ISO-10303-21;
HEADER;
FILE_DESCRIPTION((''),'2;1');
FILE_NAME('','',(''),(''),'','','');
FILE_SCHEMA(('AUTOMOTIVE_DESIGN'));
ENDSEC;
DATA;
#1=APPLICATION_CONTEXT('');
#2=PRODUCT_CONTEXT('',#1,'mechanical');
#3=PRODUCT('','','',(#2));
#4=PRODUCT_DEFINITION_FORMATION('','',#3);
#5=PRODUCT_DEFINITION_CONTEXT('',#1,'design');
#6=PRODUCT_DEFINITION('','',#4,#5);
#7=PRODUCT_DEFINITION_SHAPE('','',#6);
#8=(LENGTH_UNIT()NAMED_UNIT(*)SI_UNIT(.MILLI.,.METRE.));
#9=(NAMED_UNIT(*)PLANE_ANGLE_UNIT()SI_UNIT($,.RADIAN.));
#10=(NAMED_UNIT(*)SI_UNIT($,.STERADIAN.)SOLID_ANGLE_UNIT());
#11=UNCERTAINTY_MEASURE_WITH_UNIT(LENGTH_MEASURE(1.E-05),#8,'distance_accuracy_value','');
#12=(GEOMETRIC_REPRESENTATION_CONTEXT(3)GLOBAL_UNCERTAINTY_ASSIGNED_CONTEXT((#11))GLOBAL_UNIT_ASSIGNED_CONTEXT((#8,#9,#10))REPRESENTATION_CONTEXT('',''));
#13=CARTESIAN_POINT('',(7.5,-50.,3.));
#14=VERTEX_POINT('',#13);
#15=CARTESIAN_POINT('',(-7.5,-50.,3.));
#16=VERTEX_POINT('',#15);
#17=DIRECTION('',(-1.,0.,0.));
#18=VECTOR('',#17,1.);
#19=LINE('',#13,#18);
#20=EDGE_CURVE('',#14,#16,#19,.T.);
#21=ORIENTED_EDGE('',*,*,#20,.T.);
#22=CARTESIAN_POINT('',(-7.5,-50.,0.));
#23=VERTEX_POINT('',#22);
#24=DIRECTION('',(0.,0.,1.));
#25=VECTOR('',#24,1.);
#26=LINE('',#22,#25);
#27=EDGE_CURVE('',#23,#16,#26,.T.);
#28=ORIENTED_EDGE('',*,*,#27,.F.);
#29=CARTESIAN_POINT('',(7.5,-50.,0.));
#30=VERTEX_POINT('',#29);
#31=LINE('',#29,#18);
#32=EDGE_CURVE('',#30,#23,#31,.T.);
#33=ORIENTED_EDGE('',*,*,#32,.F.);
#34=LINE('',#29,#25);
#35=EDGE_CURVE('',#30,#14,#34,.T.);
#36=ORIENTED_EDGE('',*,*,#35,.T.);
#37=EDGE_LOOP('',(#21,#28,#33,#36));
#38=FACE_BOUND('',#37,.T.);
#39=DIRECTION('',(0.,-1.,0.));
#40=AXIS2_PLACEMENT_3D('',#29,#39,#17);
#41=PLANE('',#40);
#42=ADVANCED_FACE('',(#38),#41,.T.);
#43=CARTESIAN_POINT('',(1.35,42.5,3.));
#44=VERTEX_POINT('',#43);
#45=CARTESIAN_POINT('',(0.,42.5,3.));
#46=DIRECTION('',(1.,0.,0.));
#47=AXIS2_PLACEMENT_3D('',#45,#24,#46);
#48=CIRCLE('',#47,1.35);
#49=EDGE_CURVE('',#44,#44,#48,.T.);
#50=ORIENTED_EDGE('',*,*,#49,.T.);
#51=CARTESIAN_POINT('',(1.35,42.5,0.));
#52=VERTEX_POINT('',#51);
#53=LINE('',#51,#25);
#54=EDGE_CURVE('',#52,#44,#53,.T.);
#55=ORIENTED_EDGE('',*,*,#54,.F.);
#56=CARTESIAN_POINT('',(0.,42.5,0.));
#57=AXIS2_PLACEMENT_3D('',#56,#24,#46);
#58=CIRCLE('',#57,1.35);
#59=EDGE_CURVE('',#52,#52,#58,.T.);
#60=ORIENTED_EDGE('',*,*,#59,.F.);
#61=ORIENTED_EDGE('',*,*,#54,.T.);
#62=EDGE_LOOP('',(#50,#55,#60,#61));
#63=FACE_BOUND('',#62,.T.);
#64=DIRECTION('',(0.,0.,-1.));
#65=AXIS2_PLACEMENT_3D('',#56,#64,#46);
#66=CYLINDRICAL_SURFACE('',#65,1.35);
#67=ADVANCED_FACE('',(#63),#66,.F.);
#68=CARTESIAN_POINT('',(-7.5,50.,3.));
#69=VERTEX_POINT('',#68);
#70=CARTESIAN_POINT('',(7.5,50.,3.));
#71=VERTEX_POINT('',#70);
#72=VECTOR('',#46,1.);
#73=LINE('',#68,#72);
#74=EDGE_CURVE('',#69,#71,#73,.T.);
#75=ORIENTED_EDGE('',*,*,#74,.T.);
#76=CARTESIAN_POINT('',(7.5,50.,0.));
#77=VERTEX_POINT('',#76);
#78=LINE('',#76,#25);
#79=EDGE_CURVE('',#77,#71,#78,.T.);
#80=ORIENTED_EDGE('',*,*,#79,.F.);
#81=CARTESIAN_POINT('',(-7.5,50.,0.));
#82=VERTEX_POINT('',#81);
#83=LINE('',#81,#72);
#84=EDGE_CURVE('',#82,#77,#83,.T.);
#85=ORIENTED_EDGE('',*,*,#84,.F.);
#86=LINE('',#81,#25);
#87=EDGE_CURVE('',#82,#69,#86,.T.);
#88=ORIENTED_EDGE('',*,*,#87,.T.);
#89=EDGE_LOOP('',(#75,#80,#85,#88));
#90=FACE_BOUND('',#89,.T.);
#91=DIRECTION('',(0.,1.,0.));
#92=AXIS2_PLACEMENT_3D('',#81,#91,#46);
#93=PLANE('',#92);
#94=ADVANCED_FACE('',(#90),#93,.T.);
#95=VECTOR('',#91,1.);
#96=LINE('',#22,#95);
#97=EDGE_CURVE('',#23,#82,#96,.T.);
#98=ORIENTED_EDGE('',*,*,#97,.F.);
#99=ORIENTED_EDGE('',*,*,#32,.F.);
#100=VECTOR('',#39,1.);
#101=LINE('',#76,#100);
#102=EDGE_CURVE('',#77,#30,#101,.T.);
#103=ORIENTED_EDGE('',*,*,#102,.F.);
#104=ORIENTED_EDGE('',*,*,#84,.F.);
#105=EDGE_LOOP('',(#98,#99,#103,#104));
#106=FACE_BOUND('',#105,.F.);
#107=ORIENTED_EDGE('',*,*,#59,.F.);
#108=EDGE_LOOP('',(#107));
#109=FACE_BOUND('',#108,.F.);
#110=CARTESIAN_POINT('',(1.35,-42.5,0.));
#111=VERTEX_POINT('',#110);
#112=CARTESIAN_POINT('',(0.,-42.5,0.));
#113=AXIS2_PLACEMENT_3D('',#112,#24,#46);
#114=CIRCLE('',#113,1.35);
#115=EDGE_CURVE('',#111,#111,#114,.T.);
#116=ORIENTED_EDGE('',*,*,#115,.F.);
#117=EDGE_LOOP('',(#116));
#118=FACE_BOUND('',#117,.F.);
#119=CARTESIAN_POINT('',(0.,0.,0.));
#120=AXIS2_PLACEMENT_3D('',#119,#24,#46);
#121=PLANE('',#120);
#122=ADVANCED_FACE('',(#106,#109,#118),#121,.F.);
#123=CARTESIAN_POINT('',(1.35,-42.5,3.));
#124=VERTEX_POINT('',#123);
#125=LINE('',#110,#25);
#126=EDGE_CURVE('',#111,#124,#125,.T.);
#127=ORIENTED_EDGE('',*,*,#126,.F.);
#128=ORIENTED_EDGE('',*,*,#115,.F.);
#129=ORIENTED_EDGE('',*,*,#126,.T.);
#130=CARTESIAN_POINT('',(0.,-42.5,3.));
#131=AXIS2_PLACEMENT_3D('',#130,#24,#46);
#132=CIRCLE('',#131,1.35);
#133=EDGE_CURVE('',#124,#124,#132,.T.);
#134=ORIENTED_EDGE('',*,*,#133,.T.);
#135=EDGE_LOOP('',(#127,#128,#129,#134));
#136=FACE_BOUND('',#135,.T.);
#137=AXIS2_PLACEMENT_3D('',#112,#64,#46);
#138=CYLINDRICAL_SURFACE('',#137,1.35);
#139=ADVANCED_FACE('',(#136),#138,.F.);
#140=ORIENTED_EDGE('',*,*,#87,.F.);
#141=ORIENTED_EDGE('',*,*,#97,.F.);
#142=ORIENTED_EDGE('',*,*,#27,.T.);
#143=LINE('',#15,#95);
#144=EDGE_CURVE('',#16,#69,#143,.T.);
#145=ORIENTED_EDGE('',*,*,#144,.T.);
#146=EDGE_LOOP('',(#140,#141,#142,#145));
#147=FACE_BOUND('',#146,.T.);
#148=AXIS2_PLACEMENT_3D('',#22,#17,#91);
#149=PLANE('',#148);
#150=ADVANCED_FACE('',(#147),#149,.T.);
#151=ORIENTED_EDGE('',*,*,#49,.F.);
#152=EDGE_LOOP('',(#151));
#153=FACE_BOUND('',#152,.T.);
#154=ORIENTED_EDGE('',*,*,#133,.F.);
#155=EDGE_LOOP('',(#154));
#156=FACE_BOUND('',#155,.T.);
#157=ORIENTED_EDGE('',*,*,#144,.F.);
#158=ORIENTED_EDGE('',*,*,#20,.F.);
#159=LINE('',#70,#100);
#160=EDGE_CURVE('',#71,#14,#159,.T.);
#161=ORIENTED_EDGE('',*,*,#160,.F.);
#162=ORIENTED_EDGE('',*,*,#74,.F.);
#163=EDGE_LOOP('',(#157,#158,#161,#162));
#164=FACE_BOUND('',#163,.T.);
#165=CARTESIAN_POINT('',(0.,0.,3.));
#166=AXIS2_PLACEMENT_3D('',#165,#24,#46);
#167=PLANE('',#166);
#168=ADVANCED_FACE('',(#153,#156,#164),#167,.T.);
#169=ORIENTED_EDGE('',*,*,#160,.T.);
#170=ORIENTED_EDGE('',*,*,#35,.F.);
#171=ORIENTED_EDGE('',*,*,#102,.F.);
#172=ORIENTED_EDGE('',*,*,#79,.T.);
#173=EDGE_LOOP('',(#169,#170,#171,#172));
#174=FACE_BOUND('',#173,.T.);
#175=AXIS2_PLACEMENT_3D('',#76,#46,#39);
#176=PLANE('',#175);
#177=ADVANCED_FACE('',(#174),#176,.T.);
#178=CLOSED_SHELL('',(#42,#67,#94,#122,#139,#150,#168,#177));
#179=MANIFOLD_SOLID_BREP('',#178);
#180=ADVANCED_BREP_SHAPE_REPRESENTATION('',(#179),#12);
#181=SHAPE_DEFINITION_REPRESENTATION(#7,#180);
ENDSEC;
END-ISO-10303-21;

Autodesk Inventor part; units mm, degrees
ref_plane "YZ Plane" through (0, 0, 0) normal (1, 0, 0) x (0, 1, 0)
ref_plane "XZ Plane" through (0, 0, 0) normal (0, 1, 0) x (-1, 0, 0)
ref_plane "XY Plane" through (0, 0, 0) normal (0, 0, 1) x (1, 0, 0)
sketch "Sketch1" plane through (0, 0, 0) normal (0, 0, 1) x (1, 0, 0)
  line L0 (-7.5, 50) -> (7.5, 50)
  line L1 (7.5, 50) -> (7.5, -50)
  line L2 (7.5, -50) -> (-7.5, -50)
  line L3 (-7.5, -50) -> (-7.5, 50)
  line L4 (-7.5, 50) -> (7.5, -50) construction
  line L5 (7.5, 50) -> (-7.5, -50) construction
  circle A0 centre (0, 42.5) radius 1.35
  circle A1 centre (0, -42.5) radius 1.35
  point P0 (0, 0)
  dimension "d0" = 15
  dimension "d1" = 100
  dimension "d4" = 2.7
  dimension "d5" = 7.5
  dimension "d6" = 2.7
  dimension "d7" = 7.5
extrude "Extrusion1" add sketch "Sketch1" along normal blind 3
equation "\"d5\" = 0.5 * d0"
equation "\"d7\" = d5"
